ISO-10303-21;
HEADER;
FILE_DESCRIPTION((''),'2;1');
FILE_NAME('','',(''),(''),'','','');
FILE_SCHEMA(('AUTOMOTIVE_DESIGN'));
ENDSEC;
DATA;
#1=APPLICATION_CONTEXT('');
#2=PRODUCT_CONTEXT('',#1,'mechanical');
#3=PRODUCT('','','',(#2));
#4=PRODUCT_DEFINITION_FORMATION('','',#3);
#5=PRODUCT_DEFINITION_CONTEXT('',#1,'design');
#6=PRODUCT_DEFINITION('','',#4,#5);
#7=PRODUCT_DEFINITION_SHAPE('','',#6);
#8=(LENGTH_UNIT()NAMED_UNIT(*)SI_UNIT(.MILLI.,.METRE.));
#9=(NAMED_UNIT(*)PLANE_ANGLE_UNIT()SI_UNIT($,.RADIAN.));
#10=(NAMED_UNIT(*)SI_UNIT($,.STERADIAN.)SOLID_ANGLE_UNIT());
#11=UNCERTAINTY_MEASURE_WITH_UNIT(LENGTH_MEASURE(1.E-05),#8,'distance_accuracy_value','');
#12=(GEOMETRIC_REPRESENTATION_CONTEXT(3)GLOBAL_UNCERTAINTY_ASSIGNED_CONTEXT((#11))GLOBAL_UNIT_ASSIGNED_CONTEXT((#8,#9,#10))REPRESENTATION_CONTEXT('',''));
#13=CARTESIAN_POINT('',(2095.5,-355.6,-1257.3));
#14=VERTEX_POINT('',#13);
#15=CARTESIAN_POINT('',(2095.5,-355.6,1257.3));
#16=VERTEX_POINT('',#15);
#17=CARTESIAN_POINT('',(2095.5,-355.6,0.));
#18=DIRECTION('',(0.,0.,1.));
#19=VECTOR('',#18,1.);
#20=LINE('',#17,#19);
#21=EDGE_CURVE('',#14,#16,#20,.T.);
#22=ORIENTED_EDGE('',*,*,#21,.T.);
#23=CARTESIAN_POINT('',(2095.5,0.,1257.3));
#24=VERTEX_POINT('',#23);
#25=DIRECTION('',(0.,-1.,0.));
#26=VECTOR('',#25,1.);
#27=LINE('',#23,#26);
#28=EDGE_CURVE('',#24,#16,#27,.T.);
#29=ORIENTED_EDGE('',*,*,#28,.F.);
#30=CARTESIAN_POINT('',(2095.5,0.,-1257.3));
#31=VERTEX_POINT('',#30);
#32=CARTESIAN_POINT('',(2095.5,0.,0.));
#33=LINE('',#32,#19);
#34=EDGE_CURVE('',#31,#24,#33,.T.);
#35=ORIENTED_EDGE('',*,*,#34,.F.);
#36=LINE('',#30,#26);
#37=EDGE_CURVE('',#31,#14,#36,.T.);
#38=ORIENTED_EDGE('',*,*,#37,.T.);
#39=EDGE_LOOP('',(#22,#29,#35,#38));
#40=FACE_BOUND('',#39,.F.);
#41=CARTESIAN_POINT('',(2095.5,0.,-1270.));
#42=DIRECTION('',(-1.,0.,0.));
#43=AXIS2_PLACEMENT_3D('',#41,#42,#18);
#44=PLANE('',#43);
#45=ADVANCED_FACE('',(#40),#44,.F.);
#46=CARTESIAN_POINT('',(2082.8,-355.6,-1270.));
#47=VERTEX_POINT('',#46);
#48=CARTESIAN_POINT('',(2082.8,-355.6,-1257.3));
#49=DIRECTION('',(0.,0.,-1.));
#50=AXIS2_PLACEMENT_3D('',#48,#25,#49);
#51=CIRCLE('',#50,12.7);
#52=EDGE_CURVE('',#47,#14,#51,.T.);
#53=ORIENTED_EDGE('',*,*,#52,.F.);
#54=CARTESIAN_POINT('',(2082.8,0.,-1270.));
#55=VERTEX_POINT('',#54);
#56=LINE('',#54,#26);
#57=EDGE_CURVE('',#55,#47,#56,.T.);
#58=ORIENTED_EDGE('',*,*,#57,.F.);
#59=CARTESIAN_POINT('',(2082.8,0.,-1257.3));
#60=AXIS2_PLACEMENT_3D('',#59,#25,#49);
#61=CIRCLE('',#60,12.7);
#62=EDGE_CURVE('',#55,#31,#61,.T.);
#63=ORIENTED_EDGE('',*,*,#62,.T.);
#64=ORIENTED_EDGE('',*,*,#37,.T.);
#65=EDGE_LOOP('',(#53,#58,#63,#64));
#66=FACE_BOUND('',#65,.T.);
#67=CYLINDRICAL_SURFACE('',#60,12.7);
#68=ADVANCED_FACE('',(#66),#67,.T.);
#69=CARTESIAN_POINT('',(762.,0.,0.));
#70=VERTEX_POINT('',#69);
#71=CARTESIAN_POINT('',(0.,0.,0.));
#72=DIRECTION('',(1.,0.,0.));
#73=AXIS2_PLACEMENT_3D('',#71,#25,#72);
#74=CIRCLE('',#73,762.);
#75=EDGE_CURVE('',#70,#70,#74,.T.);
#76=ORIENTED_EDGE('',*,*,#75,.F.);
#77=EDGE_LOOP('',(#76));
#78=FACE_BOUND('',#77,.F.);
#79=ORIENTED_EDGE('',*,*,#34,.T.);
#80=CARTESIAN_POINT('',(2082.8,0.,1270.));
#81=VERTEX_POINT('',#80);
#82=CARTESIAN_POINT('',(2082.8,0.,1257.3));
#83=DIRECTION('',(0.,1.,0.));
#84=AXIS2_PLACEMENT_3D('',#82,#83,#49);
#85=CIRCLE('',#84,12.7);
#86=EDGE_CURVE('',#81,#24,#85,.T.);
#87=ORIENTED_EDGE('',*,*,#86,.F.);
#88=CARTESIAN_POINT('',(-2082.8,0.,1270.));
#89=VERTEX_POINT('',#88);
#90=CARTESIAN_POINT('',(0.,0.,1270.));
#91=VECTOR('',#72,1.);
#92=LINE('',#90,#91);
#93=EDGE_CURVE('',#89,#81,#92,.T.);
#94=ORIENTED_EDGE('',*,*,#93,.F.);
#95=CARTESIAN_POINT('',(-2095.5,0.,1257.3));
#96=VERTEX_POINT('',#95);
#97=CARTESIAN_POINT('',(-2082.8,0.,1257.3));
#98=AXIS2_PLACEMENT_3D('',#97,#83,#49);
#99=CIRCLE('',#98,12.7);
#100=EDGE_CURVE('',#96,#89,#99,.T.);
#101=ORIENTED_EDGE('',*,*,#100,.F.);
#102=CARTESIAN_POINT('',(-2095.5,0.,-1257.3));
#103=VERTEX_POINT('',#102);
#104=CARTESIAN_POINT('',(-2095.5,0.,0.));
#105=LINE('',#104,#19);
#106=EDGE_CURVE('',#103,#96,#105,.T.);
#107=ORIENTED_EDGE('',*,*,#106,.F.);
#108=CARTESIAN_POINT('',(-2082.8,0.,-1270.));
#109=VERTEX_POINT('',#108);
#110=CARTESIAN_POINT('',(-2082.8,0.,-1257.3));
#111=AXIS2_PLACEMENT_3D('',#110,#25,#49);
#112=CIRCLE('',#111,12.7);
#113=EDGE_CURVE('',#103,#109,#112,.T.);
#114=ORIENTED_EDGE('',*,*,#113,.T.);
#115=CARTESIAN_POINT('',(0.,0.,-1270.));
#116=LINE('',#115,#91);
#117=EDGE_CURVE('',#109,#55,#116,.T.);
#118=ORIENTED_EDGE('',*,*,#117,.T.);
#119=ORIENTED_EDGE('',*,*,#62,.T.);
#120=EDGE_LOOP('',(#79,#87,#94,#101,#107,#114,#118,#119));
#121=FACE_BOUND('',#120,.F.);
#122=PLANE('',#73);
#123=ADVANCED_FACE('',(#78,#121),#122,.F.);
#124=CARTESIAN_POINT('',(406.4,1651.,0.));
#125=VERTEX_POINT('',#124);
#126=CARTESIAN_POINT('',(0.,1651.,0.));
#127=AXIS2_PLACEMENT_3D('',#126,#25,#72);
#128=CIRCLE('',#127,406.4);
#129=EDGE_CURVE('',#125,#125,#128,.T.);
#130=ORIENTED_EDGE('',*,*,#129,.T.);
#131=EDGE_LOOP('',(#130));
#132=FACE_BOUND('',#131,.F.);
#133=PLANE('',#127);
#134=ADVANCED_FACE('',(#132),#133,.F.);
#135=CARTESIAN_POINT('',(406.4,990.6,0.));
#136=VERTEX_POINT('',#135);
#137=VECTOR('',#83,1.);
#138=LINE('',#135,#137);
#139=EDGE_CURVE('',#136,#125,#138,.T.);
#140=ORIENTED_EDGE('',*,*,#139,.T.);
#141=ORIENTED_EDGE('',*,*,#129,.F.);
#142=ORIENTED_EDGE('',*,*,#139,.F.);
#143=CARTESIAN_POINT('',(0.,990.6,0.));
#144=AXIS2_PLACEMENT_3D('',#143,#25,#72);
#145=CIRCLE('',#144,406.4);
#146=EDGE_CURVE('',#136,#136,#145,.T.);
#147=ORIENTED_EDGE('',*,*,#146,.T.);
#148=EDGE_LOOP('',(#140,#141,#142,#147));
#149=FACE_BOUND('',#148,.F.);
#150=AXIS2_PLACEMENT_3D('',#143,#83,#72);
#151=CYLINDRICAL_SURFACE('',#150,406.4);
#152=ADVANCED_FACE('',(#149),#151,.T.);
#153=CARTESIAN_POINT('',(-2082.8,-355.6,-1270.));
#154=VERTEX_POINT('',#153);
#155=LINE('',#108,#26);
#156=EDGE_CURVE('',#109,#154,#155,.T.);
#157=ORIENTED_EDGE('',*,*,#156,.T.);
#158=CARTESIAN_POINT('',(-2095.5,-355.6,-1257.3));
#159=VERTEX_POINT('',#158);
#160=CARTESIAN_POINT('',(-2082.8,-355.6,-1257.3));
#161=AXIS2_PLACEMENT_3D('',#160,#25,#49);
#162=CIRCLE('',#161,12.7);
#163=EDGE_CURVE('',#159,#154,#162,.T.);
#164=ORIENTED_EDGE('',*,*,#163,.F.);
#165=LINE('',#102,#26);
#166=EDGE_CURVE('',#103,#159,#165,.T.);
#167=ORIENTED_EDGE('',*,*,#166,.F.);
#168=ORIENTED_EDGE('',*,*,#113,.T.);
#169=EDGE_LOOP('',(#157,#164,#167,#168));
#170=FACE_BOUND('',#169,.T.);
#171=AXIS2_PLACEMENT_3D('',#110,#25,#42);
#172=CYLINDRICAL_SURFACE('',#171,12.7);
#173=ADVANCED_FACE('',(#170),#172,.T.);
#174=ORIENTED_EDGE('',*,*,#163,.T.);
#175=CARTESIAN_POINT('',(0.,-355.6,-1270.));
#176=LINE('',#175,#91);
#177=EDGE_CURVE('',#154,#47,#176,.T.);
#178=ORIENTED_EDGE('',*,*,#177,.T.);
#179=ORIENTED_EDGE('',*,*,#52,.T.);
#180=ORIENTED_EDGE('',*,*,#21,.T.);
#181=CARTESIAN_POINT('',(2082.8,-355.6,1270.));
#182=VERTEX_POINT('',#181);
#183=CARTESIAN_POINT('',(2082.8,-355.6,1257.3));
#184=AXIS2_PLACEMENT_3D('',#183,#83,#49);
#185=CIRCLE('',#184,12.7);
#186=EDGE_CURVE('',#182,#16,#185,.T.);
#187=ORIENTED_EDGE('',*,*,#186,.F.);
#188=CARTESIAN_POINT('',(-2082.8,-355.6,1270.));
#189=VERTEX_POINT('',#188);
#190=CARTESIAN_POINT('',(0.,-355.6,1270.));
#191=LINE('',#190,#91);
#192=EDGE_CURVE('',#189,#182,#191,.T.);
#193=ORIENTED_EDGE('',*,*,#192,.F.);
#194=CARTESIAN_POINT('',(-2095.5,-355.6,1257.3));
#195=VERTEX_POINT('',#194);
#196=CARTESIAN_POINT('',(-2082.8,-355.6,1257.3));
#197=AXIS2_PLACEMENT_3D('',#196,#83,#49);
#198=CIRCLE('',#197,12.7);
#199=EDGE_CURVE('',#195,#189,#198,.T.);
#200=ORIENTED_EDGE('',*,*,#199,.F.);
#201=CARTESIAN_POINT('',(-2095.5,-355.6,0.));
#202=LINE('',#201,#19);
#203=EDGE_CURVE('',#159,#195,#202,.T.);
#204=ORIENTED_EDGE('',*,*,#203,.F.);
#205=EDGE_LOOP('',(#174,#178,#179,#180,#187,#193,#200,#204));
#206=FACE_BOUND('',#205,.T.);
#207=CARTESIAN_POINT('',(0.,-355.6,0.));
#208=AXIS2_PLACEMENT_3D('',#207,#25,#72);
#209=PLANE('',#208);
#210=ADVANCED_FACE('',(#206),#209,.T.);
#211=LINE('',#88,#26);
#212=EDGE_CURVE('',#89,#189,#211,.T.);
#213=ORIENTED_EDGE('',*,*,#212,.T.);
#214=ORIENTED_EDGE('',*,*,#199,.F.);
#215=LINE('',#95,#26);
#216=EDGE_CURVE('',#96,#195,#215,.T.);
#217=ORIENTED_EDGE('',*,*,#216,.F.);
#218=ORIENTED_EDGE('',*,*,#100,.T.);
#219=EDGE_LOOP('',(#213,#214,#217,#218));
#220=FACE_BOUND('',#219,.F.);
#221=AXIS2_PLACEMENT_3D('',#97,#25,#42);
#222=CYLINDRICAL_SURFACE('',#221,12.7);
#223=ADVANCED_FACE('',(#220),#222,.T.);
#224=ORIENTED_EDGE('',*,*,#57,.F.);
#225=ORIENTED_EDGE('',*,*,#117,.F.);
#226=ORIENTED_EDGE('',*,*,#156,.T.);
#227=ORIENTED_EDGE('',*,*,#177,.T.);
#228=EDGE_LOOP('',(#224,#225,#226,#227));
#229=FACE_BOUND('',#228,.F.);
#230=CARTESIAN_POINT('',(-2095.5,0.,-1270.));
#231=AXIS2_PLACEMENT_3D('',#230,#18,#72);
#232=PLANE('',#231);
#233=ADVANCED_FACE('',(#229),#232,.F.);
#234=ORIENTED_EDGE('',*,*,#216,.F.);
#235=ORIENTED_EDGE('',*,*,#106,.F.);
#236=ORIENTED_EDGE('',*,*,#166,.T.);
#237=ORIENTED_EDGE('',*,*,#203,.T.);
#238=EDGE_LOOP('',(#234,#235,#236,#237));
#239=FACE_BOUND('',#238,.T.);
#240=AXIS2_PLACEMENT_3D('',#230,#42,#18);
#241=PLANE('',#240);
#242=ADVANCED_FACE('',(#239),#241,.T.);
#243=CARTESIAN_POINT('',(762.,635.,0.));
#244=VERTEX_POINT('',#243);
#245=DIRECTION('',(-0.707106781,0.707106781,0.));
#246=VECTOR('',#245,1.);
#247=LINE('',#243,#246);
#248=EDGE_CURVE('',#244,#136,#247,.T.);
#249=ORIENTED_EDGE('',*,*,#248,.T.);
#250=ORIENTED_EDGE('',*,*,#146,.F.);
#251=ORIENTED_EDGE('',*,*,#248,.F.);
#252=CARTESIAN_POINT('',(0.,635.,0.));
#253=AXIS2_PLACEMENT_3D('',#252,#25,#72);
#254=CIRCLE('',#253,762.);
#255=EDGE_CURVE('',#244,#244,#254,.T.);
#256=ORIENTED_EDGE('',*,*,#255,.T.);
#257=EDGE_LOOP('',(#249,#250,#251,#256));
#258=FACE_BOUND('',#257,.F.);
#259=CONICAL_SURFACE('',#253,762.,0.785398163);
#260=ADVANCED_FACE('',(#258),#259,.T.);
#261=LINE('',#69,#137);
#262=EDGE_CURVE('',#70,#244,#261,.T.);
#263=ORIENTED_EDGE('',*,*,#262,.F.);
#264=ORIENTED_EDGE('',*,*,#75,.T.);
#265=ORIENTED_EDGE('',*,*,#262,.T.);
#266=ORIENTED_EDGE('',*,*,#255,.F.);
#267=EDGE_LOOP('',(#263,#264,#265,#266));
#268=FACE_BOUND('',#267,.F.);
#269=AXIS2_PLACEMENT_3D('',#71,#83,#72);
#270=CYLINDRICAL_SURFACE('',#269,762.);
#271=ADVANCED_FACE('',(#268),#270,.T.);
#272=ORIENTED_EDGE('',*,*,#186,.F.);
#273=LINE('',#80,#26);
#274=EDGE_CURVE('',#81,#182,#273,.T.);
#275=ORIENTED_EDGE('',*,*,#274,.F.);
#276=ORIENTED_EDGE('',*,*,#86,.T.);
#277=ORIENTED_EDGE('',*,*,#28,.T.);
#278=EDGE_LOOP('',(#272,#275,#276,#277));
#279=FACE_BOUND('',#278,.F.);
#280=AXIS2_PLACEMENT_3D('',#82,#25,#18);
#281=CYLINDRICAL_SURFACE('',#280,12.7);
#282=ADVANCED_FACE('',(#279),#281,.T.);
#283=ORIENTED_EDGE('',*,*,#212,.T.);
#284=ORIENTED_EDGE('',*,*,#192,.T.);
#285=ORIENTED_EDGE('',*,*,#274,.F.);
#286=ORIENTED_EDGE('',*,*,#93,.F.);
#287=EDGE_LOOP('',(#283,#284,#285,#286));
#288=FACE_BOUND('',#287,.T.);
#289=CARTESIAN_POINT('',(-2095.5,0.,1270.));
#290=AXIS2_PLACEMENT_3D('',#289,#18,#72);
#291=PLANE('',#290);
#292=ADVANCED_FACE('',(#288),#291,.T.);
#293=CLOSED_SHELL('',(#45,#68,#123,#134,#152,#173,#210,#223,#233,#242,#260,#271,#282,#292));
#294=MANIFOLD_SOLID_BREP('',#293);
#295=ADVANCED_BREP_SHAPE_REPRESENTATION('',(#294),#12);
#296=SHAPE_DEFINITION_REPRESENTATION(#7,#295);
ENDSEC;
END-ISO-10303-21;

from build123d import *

# Parameters (mm, degrees)
F2_W     = 4191
F2_H     = 2540
F3_DEPTH = 355.6
F4_R     = 12.7


with BuildPart() as f1:
    # F0 (on Top) → F1 (revolve)
    with BuildSketch(Plane.XY):
        Polygon((0, 1651), (0, 0), (762, 0), (762, 635), (406.4, 990.6), (406.4, 1651), align=None)
    revolve(axis=Axis((0, 825.5, 0), (0, -1, 0)))

    # F2 (on face) → F3 (join)
    with BuildSketch(Plane.XZ):
        Rectangle(F2_W, F2_H)
    extrude(amount=F3_DEPTH)

    # F4
    f4_edges = [f1.edges().sort_by_distance(p)[0] for p in [
        (-2095.5, -177.8, -1270),
        (-2095.5, -177.8, 1270),
        (2095.5, -177.8, 1270),
        (2095.5, -177.8, -1270),
    ]]
    fillet(f4_edges, radius=F4_R)


solid = f1.part
